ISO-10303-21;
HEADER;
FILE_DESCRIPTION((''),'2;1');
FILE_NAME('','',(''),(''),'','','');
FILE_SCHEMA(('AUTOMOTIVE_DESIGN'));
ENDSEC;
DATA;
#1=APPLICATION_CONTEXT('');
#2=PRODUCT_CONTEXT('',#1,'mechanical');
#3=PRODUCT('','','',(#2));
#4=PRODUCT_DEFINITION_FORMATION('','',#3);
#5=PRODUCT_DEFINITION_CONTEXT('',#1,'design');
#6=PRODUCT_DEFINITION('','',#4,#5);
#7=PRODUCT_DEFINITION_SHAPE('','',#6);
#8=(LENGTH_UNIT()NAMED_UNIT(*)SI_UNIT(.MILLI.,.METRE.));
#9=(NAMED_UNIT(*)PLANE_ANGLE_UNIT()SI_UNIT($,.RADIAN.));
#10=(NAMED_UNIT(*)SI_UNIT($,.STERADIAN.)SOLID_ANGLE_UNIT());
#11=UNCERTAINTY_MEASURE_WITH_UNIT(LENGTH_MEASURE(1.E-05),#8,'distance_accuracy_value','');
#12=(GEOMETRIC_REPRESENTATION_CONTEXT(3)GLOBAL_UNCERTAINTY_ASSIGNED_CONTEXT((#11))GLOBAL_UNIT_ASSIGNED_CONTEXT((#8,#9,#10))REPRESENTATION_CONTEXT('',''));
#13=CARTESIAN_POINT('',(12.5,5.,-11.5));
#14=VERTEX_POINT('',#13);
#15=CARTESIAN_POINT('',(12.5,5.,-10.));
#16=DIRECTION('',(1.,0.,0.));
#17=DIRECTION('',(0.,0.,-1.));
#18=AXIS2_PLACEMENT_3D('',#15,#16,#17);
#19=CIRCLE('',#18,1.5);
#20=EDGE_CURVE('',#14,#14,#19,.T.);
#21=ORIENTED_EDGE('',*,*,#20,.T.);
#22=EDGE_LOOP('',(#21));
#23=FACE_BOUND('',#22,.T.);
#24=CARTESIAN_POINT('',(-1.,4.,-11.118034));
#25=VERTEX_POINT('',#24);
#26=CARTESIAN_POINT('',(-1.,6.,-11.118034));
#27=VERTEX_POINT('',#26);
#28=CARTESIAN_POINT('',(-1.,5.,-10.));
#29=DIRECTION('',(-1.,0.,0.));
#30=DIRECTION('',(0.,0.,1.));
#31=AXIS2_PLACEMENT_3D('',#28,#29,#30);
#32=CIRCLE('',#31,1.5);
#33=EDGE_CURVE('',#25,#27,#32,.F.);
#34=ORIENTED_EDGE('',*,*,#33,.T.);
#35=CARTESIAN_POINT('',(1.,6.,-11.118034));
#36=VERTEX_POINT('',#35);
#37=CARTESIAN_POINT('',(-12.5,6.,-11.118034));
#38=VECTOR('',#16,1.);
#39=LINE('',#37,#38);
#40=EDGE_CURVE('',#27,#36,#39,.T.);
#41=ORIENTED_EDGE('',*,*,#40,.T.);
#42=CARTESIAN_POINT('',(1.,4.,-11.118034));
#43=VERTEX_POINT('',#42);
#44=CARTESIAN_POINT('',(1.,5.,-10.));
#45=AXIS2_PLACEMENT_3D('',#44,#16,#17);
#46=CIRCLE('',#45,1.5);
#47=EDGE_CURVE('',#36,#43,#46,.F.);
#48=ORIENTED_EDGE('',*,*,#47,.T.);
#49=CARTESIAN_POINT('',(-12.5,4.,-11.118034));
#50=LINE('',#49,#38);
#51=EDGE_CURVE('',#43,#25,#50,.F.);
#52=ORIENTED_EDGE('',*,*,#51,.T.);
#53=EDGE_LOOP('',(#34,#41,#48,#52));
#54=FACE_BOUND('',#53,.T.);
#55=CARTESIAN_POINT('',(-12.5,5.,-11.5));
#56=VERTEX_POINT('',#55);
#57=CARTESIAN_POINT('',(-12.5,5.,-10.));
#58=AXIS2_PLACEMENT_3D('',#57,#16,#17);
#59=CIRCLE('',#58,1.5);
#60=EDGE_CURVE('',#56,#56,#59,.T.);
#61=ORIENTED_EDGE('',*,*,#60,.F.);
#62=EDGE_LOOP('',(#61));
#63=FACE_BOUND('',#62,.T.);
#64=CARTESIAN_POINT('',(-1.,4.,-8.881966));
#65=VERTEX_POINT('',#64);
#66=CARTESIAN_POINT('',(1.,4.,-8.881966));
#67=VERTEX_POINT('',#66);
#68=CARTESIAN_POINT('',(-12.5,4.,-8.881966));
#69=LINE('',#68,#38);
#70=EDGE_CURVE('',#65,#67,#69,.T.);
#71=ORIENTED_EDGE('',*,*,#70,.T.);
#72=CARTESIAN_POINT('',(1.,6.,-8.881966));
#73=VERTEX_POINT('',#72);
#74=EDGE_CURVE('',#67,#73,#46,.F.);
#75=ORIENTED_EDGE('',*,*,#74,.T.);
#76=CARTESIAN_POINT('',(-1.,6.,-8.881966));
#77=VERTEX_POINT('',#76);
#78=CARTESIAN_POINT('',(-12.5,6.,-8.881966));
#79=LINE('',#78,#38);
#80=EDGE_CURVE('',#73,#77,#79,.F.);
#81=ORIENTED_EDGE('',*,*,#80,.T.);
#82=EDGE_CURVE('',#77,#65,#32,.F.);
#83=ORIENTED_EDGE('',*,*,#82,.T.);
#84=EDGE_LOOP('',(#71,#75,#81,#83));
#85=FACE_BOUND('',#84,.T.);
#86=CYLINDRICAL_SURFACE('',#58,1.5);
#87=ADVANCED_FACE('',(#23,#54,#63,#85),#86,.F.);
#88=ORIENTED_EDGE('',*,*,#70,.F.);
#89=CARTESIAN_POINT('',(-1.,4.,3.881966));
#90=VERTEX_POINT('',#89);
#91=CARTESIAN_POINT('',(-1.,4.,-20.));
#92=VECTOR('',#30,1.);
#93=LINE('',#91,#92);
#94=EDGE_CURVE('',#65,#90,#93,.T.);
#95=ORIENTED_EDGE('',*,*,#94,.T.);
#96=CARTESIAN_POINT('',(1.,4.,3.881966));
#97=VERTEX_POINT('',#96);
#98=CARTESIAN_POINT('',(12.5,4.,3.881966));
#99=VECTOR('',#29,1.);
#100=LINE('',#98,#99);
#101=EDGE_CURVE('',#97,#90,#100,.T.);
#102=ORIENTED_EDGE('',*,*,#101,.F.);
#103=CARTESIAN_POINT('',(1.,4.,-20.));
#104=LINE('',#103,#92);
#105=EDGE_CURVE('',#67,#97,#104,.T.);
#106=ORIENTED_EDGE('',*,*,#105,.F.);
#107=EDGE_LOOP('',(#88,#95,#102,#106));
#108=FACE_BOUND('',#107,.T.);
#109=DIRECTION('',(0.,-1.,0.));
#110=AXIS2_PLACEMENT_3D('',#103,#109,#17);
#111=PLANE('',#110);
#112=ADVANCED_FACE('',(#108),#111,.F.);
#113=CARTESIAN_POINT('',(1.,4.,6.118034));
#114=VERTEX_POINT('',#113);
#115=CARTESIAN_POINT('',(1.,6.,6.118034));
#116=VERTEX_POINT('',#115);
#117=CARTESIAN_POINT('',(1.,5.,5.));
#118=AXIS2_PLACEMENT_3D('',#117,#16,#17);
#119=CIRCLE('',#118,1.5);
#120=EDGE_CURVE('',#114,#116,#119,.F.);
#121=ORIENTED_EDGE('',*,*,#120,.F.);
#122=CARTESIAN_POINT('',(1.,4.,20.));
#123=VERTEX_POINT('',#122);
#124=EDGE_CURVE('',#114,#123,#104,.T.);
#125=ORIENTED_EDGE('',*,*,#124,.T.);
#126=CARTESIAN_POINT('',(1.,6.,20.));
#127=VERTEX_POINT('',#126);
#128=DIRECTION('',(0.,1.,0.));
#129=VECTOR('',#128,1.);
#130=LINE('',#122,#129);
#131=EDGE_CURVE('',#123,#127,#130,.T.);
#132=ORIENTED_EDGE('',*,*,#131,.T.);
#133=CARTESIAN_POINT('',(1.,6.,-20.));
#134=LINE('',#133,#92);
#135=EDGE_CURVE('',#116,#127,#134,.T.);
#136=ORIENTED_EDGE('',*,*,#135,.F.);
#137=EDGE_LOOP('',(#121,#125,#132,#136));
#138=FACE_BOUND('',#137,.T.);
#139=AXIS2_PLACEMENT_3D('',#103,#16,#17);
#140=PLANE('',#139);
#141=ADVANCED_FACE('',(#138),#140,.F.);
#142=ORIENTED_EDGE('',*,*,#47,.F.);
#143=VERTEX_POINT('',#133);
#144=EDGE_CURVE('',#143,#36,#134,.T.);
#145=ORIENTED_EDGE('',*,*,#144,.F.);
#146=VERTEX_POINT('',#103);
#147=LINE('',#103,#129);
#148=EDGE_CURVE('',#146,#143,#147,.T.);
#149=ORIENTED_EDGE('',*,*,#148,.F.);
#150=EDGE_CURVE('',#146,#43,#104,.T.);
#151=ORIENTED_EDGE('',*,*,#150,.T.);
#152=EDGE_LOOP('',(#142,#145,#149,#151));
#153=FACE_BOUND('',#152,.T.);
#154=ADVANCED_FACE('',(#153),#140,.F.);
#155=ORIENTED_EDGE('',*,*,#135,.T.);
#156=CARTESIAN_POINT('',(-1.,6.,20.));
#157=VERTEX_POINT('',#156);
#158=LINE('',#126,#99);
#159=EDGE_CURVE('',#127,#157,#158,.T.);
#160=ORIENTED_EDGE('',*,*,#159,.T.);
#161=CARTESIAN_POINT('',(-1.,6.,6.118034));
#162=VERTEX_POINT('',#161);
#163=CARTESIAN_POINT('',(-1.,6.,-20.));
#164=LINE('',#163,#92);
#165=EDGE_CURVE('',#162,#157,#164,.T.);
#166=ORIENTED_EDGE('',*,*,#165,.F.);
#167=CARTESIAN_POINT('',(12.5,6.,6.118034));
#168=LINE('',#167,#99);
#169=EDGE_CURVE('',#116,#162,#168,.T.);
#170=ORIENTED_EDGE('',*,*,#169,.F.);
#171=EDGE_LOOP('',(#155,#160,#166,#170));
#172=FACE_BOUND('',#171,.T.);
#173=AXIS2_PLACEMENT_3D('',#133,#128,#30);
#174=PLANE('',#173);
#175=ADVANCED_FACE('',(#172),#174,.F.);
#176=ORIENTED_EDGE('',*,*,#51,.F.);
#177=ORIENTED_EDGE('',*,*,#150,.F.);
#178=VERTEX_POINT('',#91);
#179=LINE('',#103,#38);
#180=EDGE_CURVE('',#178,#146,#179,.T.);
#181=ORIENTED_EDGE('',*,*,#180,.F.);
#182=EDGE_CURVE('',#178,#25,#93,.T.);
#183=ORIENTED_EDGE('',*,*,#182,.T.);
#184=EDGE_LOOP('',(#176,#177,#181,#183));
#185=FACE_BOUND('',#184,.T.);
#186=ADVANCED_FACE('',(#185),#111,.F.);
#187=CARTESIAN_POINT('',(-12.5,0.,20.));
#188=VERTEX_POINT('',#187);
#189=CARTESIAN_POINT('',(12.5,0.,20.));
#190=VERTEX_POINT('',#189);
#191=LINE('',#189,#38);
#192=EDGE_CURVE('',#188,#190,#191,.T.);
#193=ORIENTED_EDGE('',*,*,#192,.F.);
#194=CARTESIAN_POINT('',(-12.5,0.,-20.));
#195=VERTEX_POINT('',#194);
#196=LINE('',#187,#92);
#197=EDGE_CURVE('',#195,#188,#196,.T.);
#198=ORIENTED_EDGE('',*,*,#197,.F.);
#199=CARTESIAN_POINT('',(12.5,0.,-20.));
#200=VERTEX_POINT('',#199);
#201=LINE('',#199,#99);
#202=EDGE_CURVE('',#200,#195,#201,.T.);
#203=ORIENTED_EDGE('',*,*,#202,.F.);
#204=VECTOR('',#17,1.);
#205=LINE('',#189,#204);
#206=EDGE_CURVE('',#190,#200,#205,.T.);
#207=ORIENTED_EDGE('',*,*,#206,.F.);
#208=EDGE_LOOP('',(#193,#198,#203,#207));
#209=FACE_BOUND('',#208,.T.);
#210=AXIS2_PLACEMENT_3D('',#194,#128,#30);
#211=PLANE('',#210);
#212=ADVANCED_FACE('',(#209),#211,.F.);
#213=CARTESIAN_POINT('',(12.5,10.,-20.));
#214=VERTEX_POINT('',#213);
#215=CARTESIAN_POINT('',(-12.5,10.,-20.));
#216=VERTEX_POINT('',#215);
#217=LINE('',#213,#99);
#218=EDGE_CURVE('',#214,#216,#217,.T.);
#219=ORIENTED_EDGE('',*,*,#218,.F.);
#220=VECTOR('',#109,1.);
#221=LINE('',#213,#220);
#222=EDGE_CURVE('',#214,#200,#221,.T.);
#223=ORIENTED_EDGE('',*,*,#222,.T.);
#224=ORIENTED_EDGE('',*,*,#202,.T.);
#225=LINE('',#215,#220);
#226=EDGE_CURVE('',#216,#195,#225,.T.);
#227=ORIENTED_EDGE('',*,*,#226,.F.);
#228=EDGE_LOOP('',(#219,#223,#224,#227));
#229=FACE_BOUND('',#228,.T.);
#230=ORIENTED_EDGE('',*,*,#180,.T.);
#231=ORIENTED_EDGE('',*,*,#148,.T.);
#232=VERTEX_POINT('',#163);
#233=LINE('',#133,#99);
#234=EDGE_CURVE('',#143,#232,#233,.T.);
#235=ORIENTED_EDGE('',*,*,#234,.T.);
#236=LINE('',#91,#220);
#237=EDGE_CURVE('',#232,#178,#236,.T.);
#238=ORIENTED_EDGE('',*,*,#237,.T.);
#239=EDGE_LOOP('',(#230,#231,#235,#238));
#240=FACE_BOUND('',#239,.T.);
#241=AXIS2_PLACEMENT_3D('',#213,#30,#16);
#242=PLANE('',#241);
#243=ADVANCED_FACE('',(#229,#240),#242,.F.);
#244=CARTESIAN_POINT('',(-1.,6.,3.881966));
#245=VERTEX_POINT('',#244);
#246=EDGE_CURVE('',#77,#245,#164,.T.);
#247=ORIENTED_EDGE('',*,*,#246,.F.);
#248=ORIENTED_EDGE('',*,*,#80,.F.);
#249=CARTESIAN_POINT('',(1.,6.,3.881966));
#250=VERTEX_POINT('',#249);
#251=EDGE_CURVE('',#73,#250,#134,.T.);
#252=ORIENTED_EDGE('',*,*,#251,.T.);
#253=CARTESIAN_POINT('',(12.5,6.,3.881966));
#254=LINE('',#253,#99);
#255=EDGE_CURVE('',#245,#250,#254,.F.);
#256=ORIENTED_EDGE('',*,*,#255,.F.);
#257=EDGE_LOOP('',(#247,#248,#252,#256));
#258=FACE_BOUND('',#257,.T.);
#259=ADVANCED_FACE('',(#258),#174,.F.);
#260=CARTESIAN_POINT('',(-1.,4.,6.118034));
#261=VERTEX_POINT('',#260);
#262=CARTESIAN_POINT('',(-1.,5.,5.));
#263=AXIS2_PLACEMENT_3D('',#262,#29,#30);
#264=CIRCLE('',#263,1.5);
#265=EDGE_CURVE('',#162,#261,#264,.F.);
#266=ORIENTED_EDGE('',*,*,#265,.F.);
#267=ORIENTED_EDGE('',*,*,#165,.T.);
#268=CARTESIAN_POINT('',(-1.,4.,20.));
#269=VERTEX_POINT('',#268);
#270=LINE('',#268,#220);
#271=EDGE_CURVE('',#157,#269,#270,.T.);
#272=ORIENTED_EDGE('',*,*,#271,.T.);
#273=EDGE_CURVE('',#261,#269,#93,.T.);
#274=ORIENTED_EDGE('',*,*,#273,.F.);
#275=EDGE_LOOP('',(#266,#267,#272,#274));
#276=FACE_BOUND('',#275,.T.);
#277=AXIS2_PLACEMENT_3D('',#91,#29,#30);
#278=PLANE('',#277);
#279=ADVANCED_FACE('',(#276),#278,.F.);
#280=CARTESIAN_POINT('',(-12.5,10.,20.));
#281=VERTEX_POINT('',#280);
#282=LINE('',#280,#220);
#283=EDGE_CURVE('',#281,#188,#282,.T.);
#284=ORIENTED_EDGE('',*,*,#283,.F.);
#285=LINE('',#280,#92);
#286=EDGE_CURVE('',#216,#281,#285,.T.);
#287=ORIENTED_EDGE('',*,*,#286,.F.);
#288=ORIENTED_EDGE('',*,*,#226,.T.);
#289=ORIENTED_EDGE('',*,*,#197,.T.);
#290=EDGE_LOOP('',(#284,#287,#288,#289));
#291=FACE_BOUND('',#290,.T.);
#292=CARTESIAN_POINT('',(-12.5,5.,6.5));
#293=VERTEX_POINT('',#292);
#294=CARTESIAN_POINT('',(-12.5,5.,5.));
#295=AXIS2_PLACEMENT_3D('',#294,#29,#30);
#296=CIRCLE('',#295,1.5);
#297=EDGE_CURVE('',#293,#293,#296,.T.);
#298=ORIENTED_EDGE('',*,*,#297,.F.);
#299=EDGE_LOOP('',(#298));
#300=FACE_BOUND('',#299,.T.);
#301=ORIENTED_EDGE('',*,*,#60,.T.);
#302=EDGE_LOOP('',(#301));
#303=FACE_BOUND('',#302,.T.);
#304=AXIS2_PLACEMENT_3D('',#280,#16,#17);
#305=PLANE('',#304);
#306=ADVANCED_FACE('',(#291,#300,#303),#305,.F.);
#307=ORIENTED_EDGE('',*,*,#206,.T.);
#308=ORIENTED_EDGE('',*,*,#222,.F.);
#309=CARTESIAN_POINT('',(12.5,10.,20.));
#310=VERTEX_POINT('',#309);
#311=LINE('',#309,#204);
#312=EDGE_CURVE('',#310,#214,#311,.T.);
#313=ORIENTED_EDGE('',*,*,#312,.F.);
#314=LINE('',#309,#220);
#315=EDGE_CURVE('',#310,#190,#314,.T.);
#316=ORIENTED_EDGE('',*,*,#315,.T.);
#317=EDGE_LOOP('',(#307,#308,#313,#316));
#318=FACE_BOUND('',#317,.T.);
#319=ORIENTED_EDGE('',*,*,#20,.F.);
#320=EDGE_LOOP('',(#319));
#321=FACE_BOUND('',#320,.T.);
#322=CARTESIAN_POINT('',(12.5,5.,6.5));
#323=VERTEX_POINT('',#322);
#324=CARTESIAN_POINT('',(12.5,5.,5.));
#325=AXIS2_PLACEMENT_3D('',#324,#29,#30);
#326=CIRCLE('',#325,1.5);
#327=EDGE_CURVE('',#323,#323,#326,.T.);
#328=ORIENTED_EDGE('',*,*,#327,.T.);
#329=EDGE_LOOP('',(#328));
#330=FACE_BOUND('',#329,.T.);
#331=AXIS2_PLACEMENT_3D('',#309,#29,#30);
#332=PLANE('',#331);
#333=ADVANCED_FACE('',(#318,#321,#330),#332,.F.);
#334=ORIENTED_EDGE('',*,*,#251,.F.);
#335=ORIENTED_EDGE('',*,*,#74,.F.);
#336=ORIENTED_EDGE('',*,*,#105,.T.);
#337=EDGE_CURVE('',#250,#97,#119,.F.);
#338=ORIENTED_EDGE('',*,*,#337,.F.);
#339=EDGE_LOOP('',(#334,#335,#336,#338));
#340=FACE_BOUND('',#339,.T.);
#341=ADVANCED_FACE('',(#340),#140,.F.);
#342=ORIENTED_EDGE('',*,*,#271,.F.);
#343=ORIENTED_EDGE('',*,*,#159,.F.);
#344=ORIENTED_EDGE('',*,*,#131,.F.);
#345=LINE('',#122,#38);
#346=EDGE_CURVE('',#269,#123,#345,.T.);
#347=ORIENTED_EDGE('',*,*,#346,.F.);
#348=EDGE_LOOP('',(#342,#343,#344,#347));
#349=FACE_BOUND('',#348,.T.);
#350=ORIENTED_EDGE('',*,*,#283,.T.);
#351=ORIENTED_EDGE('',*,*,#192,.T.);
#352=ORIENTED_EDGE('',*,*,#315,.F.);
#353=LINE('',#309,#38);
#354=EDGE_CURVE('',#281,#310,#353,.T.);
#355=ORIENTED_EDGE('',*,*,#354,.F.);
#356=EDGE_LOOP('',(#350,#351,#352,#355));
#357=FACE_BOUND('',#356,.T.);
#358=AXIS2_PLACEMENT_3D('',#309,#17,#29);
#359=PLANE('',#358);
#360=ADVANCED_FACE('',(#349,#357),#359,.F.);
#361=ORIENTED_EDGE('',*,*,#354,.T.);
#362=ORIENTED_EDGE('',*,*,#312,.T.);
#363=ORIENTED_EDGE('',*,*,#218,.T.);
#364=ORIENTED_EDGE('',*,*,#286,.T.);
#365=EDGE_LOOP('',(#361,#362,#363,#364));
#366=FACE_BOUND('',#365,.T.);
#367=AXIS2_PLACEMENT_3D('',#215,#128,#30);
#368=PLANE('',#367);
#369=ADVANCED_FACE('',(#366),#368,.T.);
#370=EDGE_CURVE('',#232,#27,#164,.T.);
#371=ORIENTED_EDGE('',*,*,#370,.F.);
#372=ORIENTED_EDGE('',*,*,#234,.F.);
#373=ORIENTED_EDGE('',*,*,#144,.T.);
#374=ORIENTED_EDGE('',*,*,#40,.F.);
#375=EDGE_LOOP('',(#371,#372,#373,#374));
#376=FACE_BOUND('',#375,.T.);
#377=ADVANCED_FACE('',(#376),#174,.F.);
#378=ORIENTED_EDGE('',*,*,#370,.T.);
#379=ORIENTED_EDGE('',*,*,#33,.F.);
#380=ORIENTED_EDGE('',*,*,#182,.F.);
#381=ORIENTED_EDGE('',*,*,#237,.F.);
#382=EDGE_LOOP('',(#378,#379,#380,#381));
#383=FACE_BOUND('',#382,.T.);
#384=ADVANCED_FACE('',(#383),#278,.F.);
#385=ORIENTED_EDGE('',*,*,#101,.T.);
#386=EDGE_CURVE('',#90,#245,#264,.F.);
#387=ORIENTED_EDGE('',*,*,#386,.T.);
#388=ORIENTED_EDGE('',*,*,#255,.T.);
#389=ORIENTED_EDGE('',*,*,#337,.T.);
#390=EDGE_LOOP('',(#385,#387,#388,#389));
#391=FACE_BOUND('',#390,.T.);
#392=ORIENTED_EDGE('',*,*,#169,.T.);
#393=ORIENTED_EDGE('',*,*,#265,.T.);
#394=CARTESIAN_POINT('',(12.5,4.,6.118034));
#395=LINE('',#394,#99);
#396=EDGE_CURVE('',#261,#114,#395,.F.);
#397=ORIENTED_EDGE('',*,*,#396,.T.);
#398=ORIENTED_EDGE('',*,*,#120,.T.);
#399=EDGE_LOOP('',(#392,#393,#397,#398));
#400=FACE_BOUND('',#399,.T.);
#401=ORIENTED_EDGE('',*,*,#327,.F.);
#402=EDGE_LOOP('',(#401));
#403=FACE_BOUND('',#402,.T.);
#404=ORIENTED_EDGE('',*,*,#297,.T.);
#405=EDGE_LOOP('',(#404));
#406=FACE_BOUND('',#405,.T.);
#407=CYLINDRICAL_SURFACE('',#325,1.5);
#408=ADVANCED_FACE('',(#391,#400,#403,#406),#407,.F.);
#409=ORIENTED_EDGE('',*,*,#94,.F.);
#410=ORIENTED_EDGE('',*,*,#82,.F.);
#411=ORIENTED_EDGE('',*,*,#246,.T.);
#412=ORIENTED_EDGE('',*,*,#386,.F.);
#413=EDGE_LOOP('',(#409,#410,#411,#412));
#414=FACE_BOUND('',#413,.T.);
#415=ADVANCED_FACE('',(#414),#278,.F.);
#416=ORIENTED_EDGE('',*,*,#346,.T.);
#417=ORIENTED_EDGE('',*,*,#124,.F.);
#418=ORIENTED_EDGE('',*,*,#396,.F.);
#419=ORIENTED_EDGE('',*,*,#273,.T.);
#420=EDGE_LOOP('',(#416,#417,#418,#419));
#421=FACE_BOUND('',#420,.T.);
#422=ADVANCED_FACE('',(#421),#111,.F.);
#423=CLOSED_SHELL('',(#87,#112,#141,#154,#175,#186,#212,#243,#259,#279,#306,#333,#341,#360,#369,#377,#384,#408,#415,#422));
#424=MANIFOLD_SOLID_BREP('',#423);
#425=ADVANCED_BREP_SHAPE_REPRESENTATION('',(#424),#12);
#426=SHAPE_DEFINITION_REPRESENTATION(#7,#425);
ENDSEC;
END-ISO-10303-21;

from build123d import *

# Parameters (mm, degrees)
SKETCH1_W           = 25
SKETCH1_H           = 40
BOSS_EXTRUDE1_DEPTH = 10
SKETCH2_R           = 1.5
CUT_EXTRUDE1_DEPTH  = 34.541019662
SKETCH4_R           = 1.5
CUT_EXTRUDE3_DEPTH  = 34.541019662
SKETCH6_W           = 2
SKETCH6_H           = 2
CUT_EXTRUDE4_DEPTH  = 44.084219849


with BuildPart() as part:
    # Sketch1 → Boss-Extrude1 (new body)
    with BuildSketch(Plane(origin=(0, 0, 0), x_dir=(1, 0, 0), z_dir=(0, 1, 0))):
        Rectangle(SKETCH1_W, SKETCH1_H)
    extrude(amount=BOSS_EXTRUDE1_DEPTH)

    # Sketch2 → Cut-Extrude1 (cut, through all)
    with BuildSketch(Plane(origin=(12.5, 0, 0), x_dir=(0, 0, -1), z_dir=(1, 0, 0))):
        with Locations((10, 5)):
            Circle(SKETCH2_R)
    extrude(amount=-CUT_EXTRUDE1_DEPTH, mode=Mode.SUBTRACT)

    # Sketch4 → Cut-Extrude3 (cut, through all)
    with BuildSketch(Plane.ZY.offset(12.5)):
        with Locations((5, 5)):
            Circle(SKETCH4_R)
    extrude(amount=-CUT_EXTRUDE3_DEPTH, mode=Mode.SUBTRACT)

    # Sketch6 → Cut-Extrude4 (cut, through all)
    with BuildSketch(Plane.XY.offset(20)):
        with Locations((0, 5)):
            Rectangle(SKETCH6_W, SKETCH6_H)
    extrude(amount=-CUT_EXTRUDE4_DEPTH, mode=Mode.SUBTRACT)


solid = part.part
